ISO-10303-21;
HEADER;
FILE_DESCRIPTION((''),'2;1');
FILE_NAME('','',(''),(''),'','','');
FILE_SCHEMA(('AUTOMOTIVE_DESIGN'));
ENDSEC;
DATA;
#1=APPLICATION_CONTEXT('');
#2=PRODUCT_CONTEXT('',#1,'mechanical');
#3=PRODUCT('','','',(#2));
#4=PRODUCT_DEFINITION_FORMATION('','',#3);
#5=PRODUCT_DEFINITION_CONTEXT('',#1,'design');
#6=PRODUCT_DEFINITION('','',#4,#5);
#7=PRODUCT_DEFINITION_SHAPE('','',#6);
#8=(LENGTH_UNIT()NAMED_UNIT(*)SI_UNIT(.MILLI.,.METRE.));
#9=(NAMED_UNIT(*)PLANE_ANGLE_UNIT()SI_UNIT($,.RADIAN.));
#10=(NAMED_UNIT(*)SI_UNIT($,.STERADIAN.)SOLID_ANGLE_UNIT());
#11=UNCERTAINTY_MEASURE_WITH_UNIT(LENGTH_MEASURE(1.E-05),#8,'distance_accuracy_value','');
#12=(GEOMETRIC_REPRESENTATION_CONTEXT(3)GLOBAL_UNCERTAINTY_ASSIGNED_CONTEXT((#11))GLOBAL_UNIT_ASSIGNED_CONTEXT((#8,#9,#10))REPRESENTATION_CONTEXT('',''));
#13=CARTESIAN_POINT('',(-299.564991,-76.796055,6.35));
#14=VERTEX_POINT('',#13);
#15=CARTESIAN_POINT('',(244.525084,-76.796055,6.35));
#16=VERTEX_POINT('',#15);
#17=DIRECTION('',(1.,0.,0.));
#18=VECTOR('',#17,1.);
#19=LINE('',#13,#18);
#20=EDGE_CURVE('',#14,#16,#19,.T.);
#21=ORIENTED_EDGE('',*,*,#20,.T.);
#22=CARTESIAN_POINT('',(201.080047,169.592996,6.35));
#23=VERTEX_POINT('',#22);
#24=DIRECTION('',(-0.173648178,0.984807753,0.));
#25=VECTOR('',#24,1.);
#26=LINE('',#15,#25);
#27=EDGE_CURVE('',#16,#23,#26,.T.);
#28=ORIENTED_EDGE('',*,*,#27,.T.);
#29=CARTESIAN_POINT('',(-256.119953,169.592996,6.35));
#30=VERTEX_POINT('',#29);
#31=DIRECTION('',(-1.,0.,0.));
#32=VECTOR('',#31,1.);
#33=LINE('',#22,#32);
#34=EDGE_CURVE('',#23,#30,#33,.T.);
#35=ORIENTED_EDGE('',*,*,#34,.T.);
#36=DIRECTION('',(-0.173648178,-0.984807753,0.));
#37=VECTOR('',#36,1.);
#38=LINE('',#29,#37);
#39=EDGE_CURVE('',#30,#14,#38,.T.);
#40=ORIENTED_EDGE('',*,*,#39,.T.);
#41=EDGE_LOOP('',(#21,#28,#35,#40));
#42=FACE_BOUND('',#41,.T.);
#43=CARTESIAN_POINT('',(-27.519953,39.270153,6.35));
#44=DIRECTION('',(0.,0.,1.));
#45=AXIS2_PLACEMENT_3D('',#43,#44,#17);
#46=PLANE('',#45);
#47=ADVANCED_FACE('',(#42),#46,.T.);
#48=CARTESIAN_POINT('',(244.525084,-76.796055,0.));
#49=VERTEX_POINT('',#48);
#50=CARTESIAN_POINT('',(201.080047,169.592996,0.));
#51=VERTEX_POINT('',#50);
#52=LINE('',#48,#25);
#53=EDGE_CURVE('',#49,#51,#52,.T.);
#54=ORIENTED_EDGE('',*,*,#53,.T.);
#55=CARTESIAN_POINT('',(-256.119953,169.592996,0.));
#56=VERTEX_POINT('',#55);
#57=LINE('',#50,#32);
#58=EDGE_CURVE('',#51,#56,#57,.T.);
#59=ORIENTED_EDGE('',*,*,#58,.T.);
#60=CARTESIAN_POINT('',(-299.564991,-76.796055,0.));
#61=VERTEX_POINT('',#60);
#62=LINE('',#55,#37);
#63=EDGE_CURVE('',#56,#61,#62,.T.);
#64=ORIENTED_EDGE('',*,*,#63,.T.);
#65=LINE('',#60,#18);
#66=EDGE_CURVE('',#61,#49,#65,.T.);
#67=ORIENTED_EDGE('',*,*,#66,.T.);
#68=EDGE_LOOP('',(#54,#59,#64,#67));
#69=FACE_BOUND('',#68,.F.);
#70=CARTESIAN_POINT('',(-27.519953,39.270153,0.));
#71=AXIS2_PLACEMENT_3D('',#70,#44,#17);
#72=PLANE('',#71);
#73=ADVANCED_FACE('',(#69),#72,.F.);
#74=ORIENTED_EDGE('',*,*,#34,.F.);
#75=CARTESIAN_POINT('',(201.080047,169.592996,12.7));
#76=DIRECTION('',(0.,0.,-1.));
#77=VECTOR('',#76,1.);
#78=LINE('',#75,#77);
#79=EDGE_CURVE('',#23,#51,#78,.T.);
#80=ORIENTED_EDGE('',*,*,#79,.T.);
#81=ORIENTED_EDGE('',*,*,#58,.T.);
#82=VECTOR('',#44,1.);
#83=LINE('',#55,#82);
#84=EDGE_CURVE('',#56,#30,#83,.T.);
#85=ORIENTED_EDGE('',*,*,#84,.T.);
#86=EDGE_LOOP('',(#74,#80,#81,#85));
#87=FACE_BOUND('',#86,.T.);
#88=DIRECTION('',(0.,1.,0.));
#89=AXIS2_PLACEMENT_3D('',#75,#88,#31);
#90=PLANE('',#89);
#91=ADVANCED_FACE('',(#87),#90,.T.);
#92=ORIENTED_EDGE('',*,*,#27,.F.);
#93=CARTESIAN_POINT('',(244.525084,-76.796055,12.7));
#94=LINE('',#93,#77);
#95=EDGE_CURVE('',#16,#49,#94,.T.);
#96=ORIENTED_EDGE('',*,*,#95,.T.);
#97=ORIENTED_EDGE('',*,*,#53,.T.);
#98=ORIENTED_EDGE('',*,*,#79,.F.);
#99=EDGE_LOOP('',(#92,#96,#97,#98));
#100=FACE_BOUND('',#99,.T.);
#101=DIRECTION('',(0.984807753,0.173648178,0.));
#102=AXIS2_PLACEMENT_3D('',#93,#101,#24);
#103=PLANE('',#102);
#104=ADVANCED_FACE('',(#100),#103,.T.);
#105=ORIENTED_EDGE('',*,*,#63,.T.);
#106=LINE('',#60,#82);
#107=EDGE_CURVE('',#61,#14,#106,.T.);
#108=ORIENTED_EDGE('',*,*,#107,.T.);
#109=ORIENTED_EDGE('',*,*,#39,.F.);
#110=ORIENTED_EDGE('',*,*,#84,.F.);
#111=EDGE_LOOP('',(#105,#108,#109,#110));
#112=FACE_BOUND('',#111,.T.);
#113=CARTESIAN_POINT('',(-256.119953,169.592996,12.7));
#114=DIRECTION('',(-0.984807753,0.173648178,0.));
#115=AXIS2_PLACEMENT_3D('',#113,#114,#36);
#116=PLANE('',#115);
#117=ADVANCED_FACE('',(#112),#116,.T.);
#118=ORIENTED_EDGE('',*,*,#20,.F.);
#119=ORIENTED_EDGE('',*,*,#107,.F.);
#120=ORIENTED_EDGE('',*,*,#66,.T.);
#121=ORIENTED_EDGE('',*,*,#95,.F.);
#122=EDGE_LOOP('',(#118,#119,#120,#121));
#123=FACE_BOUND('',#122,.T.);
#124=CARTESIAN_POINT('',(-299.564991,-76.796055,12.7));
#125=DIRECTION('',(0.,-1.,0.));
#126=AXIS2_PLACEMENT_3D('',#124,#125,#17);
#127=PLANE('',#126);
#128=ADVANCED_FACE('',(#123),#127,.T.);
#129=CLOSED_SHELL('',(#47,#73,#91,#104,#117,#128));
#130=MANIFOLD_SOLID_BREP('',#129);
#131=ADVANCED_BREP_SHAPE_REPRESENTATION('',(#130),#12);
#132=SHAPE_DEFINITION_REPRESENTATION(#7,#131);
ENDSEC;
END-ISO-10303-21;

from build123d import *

# Parameters (mm, degrees)
F1_DEPTH = 12.7
F2_DEPTH = 6.35
F3_DEPTH = 6.35
F4_DEPTH = 6.35


with BuildPart() as f1:
    # F0 (on Top) → F1 (new body)
    with BuildSketch(Plane.XY):
        Polygon((201.0800465941, 169.5929964036), (-256.1199534059, 169.5929964036), (-299.5649909763, -76.7960553225), (244.5250841646, -76.7960553225), align=None)
    extrude(amount=F1_DEPTH)

    # F2 (add): a face of the model
    f2_faces = [f1.faces().sort_by_distance(p)[0] for p in [
        (-27.5199534059, 42.8349405589, 12.7),
    ]]
    extrude(f2_faces, amount=-F2_DEPTH)

    # F3 (add): a face of the model
    f3_faces = [f1.faces().sort_by_distance(p)[0] for p in [
        (-27.5199534059, 42.8349405589, 12.7),
    ]]
    extrude(f3_faces, amount=-F3_DEPTH)

    # F4 (cut): a face of the model
    f4_faces = [f1.faces().sort_by_distance(p)[0] for p in [
        (-27.5199534059, 42.8349405589, 12.7),
    ]]
    extrude(f4_faces, amount=-F4_DEPTH, mode=Mode.SUBTRACT)


solid = f1.part
